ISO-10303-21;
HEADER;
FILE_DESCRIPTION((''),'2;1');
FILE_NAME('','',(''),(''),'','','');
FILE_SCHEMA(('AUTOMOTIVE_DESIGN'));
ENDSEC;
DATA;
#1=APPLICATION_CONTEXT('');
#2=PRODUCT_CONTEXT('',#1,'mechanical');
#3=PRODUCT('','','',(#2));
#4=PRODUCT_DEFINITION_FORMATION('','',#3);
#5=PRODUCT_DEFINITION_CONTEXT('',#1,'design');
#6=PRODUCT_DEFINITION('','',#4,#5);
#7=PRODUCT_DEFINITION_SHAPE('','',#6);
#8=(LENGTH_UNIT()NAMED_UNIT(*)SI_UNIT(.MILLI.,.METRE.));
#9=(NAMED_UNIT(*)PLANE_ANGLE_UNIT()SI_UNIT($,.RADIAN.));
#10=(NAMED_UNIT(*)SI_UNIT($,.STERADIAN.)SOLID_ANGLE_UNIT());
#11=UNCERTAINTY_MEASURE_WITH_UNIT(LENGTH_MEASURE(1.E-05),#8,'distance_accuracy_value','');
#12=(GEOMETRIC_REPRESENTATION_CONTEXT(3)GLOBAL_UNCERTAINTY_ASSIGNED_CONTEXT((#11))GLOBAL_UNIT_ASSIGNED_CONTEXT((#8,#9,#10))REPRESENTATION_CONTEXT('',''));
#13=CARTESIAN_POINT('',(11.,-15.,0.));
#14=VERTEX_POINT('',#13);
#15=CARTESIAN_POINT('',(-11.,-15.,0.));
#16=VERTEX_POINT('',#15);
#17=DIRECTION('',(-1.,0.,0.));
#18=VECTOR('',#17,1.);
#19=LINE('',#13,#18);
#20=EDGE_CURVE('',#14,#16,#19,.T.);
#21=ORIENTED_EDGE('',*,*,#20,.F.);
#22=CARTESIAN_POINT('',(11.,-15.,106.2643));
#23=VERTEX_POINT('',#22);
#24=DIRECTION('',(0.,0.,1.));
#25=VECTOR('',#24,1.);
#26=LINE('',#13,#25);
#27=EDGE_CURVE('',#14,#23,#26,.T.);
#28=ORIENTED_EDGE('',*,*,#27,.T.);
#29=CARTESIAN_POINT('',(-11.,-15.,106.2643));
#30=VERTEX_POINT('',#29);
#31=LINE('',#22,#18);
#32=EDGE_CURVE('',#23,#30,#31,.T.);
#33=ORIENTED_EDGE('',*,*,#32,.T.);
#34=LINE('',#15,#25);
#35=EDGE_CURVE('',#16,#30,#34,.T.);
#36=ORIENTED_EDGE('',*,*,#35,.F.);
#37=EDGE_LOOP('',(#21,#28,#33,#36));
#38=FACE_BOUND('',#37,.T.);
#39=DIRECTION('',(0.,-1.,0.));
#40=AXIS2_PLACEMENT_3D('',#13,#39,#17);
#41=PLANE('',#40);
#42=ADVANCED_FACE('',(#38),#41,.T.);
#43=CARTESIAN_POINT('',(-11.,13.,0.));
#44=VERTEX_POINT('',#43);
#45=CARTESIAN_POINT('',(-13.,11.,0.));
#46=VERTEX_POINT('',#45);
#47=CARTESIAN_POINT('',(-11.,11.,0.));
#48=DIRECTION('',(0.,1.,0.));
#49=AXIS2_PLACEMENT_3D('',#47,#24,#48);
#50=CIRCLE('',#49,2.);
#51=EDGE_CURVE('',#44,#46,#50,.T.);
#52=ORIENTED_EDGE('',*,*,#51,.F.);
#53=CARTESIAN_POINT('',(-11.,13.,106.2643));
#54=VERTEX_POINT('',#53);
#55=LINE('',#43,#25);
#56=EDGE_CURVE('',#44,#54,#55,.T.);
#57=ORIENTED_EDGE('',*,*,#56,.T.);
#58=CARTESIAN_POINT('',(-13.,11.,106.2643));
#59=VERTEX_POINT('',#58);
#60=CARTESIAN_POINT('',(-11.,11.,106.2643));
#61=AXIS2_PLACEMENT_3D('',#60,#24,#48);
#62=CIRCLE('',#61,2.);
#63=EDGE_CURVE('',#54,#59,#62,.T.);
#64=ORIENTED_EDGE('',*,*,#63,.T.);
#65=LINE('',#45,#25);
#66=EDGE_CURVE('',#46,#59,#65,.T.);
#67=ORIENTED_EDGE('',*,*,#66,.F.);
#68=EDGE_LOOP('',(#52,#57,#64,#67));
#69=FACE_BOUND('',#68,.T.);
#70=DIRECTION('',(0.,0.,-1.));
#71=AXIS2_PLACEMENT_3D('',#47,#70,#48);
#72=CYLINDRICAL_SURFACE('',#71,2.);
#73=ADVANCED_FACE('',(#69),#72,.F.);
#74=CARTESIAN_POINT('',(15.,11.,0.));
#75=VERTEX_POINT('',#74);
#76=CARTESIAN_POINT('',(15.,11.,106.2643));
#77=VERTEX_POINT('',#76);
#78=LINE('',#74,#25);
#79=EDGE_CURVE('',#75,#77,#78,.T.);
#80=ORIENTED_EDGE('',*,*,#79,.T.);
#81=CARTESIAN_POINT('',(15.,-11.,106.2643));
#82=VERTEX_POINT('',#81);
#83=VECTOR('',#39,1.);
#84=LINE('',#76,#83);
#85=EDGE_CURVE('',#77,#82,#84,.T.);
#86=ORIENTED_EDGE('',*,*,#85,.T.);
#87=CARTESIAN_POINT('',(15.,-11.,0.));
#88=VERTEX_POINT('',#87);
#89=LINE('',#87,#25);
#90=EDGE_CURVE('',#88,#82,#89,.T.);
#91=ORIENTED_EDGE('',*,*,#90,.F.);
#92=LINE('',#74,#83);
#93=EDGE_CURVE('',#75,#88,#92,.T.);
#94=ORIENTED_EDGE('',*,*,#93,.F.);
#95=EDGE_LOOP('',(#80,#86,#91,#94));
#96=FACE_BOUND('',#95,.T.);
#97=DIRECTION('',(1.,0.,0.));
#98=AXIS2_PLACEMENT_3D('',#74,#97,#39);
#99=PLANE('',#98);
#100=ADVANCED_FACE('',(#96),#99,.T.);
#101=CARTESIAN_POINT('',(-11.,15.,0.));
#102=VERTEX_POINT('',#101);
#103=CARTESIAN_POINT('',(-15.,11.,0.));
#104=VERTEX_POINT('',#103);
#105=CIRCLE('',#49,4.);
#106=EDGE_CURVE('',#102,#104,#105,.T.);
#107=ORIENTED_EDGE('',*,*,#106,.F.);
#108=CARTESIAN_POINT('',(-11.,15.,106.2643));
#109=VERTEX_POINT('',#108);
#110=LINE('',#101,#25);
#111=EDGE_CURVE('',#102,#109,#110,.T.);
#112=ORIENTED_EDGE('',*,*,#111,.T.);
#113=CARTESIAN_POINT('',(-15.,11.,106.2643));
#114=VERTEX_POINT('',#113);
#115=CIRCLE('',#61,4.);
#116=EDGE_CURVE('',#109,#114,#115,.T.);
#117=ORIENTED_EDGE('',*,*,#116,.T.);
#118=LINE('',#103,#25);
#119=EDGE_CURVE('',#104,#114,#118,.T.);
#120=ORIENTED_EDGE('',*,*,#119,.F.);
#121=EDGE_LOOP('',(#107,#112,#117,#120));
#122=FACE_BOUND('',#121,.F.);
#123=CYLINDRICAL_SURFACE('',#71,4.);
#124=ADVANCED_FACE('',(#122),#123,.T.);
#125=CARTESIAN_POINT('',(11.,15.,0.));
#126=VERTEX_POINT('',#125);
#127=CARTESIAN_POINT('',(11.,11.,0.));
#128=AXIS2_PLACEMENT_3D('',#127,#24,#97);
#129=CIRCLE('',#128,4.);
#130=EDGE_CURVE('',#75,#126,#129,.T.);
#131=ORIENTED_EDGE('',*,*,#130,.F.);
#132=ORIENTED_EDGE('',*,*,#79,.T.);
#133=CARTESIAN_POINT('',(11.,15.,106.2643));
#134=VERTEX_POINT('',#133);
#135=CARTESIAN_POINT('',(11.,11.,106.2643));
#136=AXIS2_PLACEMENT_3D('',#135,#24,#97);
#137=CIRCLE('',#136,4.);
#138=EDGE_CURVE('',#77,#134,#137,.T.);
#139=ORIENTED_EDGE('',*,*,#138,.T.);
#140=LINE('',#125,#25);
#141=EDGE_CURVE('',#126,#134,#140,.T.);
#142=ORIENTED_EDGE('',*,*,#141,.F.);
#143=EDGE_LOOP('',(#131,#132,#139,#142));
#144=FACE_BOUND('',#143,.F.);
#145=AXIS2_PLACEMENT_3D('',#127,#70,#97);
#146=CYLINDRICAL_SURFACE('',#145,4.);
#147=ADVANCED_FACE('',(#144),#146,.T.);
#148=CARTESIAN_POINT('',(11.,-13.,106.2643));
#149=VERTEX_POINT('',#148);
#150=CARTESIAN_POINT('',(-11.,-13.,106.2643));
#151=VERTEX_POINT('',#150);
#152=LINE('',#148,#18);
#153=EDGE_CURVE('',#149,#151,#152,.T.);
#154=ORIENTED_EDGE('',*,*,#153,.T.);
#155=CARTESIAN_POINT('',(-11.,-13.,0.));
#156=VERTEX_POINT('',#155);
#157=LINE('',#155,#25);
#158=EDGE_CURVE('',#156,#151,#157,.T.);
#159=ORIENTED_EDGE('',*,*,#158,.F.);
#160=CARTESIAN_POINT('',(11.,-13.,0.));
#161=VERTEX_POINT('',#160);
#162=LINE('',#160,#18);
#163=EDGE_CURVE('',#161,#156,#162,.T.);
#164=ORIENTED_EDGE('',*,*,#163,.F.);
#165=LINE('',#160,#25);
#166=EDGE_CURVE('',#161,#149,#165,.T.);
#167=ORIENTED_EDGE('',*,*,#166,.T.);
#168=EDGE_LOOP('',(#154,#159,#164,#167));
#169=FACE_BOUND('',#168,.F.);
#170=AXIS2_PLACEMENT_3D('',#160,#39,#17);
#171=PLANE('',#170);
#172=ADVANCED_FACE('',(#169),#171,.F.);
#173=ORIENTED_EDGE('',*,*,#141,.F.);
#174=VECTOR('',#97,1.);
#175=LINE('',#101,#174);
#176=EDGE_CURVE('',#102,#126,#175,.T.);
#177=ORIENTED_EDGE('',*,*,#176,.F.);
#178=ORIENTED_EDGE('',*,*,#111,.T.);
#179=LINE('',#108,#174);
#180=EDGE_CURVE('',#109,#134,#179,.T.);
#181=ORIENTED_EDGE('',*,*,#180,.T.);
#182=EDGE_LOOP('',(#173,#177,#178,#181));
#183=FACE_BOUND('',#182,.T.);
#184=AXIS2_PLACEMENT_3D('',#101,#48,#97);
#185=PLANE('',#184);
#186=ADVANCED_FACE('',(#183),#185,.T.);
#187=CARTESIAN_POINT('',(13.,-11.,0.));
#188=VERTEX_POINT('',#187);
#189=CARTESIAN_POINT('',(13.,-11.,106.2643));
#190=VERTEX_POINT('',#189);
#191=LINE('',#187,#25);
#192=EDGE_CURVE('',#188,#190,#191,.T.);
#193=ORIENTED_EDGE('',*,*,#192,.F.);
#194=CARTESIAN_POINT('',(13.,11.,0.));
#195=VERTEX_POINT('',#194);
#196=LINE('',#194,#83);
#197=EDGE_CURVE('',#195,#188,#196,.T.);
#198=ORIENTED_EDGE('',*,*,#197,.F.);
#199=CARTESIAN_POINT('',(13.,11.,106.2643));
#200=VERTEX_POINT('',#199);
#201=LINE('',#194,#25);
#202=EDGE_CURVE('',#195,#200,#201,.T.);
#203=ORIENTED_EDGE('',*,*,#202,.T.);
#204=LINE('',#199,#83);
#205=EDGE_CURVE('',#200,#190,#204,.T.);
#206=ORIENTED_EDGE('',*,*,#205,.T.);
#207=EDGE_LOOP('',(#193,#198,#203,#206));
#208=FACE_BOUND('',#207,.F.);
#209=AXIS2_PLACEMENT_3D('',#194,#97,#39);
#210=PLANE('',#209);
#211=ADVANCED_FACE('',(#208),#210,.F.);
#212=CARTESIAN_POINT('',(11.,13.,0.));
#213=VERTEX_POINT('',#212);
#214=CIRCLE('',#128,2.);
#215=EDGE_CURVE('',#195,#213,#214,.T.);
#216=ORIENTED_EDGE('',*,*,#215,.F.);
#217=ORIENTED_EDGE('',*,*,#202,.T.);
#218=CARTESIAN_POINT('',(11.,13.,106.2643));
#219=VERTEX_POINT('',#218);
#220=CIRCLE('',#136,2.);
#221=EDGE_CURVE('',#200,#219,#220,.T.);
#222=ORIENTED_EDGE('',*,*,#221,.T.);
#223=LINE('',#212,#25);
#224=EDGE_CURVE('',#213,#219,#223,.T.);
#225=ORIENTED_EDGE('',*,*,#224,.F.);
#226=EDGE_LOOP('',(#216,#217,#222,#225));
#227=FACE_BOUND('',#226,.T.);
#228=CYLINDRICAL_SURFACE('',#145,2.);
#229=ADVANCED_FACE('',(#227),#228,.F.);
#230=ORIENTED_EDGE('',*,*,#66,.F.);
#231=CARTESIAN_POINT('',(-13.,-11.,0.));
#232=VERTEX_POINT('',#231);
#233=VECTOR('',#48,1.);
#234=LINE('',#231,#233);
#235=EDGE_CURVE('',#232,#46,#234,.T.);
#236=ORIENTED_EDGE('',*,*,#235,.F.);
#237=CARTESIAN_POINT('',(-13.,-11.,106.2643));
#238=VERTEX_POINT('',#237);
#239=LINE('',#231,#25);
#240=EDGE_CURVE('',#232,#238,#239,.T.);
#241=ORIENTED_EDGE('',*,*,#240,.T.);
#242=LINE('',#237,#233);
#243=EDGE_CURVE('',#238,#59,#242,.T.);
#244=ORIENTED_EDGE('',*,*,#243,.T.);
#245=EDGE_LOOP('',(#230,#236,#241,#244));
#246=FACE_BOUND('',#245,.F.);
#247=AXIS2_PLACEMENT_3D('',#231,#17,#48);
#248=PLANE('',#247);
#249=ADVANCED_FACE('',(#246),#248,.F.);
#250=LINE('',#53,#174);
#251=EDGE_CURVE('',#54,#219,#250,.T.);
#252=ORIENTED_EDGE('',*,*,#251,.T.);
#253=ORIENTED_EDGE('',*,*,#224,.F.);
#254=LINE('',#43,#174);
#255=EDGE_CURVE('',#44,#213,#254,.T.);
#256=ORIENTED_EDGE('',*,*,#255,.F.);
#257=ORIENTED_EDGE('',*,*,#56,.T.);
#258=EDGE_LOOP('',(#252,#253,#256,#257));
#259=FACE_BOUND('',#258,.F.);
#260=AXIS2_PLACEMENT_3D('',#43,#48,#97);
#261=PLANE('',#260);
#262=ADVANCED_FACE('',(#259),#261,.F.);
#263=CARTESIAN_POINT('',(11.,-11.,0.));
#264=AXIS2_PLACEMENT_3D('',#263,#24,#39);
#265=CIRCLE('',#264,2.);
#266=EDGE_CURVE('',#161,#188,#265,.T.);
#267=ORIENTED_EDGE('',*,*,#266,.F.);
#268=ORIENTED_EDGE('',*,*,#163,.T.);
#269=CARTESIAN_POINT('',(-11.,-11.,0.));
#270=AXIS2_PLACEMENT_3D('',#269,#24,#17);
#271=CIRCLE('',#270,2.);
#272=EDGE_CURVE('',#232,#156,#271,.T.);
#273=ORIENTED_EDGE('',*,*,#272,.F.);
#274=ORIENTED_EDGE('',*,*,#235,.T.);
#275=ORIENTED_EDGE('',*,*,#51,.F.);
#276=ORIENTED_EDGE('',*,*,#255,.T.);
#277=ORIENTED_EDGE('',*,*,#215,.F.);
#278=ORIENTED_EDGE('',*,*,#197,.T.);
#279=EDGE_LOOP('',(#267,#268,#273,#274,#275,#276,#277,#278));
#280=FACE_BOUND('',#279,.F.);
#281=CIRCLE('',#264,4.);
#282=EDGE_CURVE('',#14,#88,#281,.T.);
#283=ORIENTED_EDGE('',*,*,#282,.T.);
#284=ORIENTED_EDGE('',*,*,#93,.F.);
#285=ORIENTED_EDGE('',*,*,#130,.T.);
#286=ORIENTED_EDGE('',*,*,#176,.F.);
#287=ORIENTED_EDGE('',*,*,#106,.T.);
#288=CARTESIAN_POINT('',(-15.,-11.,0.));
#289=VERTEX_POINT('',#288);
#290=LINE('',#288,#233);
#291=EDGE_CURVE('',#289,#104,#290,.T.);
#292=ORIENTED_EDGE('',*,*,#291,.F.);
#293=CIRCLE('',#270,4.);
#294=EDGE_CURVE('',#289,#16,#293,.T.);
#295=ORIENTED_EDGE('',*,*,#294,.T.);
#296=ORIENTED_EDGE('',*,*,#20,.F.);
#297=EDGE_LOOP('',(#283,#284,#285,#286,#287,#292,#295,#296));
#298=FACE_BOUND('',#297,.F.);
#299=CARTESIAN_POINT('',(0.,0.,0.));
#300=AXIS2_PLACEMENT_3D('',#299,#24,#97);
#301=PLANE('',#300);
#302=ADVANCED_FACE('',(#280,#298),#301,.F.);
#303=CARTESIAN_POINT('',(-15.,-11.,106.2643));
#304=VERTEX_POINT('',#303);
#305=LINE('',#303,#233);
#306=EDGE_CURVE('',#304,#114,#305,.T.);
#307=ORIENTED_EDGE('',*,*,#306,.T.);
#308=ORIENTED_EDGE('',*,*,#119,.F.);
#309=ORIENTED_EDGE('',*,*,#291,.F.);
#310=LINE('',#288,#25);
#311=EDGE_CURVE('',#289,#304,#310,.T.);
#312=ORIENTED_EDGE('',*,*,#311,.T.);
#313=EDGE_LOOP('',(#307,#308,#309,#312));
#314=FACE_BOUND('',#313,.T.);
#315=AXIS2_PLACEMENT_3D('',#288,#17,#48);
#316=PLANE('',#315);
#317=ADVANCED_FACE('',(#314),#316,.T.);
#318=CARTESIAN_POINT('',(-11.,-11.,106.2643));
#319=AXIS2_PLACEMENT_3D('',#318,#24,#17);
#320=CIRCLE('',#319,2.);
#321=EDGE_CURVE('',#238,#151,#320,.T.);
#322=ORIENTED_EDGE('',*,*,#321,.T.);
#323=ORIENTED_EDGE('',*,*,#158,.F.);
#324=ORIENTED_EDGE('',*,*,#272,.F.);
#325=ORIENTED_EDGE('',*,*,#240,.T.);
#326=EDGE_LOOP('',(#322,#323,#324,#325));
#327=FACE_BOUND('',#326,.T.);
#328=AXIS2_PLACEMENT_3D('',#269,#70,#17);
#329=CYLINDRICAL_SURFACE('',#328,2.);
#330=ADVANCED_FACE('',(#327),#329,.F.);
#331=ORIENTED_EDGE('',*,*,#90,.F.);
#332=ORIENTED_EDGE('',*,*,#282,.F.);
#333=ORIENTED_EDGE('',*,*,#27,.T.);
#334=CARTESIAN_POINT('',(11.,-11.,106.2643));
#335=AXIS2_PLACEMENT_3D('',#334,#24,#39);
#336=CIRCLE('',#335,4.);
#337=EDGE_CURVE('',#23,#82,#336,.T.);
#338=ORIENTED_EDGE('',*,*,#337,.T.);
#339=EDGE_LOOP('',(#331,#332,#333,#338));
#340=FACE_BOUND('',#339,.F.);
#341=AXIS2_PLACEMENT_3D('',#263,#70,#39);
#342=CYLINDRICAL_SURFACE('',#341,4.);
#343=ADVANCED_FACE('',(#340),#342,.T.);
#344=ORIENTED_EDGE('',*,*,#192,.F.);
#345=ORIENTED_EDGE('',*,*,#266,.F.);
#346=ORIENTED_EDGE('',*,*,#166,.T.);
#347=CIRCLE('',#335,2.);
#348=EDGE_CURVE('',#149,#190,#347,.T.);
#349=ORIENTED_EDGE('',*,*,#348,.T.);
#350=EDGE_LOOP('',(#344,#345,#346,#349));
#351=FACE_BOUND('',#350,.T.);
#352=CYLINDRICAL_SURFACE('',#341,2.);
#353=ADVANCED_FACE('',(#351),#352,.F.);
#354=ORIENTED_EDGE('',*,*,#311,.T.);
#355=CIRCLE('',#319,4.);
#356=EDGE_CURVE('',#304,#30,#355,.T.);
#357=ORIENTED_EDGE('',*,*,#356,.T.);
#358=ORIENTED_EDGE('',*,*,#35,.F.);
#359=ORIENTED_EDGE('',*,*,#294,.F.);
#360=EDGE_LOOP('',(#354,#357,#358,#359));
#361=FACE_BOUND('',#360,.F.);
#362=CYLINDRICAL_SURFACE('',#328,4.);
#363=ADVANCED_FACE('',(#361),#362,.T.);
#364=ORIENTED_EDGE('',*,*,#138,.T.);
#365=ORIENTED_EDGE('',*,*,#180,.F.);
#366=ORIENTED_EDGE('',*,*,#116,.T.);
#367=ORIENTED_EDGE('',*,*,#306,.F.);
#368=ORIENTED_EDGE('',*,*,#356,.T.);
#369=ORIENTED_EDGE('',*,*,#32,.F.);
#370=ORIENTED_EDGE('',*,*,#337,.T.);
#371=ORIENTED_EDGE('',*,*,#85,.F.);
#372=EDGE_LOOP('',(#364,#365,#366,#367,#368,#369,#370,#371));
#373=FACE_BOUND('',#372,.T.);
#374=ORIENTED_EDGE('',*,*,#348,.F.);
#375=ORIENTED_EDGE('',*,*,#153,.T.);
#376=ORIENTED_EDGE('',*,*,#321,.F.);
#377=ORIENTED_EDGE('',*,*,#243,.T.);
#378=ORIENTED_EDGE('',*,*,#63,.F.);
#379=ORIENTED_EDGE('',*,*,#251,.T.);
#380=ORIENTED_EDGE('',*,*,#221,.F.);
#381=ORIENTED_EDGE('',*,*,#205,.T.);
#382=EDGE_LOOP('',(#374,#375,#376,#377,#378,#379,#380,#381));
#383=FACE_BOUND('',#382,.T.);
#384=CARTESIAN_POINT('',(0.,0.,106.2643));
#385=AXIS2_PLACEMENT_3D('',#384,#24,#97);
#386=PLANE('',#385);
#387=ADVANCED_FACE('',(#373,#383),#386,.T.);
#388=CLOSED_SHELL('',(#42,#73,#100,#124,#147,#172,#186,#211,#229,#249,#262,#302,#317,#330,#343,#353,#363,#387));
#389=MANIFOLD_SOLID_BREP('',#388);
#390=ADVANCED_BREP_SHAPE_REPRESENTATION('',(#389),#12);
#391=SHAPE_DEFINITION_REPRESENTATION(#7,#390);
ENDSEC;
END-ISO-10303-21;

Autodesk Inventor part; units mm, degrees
ref_plane "YZ Plane" through (0, 0, 0) normal (1, 0, 0) x (0, 1, 0)
ref_plane "Plano inicial" through (0, 0, 0) normal (0, 0, 1) x (1, 0, 0)
ref_plane "Plano final" through (0, 0, 106.2643) normal (0, 0, 1) x (1, 0, 0)
sketch "Esboço" plane through (0, 0, 0) normal (0, 0, 1) x (1, 0, 0)
  line L0 (-15, -11) -> (-15, 11)
  line L1 (-11, 15) -> (11, 15)
  line L2 (15, 11) -> (15, -11)
  line L3 (11, -15) -> (-11, -15)
  arc A0 (-15, -11) -> (-11, -15) centre (-11, -11) ccw
  arc A1 (15, 11) -> (11, 15) centre (11, 11) ccw
  arc A2 (-11, 15) -> (-15, 11) centre (-11, 11) ccw
  arc A3 (11, -15) -> (15, -11) centre (11, -11) ccw
  arc A4 (-11, 13) -> (-13, 11) centre (-11, 11) ccw
  line L4 (-11, 13) -> (11, 13)
  arc A5 (13, 11) -> (11, 13) centre (11, 11) ccw
  line L5 (13, 11) -> (13, -11)
  arc A6 (11, -13) -> (13, -11) centre (11, -11) ccw
  line L6 (11, -13) -> (-11, -13)
  arc A7 (-13, -11) -> (-11, -13) centre (-11, -11) ccw
  line L7 (-13, -11) -> (-13, 11)
  line L8 (0, 22.1598) -> (0, -22.1598) construction
  line L9 (-22.1598, 0) -> (22.1598, 0) construction
  dimension "d7" = 4
  dimension "d9" = 30
  dimension "d11" = 30
  dimension "d12" = 2
  dimension "d15" = 15
  dimension "d16" = 15
extrude "Corpo" add sketch "Esboço" along normal up to surface (106.2643 mm away) from surface at 0
sketch "Sketch3" plane through (0, 0, 0) normal (0, 0, 1) x (1, 0, 0)
  line L0 (0, 0) -> (10, 0)
ref_plane "Work Plane3" through (0, 0, 0) normal (0, -1, 0) x (1, 0, 0)
sketch "Sketch4" plane through (0, 0, 0) normal (0, -1, 0) x (1, 0, 0)
  line L0 (-2, 0) -> (12, 0)
  line L1 (-2, 106.2643) -> (12, 106.2643)
  dimension "d18" = 106.2643
equation "\"d7\" = G_IR"
equation "\"d9\" = G_W"
equation "\"d11\" = G_H"
equation "\"d12\" = G_T"
equation "\"d15\" = 0.5 * d9"
equation "\"d16\" = 0.5 * d11"
equation "\"d3\" = G_L"
equation "\"G_W\" = 30"
equation "\"G_H\" = 30"
equation "\"G_T\" = 2"
equation "\"G_IR\" = 4"
equation "\"G_L\" = d18"
equation "\"G_OFFSET_START\" = 0"
equation "\"G_OFFSET_END\" = 0"
equation "\"d14\" = G_OFFSET_END + B_L"
equation "\"B_L\" = 106.26428"
properties part number "ISO 10799-2 - 30x30x2 - 106,264" material "Aço, suave"
